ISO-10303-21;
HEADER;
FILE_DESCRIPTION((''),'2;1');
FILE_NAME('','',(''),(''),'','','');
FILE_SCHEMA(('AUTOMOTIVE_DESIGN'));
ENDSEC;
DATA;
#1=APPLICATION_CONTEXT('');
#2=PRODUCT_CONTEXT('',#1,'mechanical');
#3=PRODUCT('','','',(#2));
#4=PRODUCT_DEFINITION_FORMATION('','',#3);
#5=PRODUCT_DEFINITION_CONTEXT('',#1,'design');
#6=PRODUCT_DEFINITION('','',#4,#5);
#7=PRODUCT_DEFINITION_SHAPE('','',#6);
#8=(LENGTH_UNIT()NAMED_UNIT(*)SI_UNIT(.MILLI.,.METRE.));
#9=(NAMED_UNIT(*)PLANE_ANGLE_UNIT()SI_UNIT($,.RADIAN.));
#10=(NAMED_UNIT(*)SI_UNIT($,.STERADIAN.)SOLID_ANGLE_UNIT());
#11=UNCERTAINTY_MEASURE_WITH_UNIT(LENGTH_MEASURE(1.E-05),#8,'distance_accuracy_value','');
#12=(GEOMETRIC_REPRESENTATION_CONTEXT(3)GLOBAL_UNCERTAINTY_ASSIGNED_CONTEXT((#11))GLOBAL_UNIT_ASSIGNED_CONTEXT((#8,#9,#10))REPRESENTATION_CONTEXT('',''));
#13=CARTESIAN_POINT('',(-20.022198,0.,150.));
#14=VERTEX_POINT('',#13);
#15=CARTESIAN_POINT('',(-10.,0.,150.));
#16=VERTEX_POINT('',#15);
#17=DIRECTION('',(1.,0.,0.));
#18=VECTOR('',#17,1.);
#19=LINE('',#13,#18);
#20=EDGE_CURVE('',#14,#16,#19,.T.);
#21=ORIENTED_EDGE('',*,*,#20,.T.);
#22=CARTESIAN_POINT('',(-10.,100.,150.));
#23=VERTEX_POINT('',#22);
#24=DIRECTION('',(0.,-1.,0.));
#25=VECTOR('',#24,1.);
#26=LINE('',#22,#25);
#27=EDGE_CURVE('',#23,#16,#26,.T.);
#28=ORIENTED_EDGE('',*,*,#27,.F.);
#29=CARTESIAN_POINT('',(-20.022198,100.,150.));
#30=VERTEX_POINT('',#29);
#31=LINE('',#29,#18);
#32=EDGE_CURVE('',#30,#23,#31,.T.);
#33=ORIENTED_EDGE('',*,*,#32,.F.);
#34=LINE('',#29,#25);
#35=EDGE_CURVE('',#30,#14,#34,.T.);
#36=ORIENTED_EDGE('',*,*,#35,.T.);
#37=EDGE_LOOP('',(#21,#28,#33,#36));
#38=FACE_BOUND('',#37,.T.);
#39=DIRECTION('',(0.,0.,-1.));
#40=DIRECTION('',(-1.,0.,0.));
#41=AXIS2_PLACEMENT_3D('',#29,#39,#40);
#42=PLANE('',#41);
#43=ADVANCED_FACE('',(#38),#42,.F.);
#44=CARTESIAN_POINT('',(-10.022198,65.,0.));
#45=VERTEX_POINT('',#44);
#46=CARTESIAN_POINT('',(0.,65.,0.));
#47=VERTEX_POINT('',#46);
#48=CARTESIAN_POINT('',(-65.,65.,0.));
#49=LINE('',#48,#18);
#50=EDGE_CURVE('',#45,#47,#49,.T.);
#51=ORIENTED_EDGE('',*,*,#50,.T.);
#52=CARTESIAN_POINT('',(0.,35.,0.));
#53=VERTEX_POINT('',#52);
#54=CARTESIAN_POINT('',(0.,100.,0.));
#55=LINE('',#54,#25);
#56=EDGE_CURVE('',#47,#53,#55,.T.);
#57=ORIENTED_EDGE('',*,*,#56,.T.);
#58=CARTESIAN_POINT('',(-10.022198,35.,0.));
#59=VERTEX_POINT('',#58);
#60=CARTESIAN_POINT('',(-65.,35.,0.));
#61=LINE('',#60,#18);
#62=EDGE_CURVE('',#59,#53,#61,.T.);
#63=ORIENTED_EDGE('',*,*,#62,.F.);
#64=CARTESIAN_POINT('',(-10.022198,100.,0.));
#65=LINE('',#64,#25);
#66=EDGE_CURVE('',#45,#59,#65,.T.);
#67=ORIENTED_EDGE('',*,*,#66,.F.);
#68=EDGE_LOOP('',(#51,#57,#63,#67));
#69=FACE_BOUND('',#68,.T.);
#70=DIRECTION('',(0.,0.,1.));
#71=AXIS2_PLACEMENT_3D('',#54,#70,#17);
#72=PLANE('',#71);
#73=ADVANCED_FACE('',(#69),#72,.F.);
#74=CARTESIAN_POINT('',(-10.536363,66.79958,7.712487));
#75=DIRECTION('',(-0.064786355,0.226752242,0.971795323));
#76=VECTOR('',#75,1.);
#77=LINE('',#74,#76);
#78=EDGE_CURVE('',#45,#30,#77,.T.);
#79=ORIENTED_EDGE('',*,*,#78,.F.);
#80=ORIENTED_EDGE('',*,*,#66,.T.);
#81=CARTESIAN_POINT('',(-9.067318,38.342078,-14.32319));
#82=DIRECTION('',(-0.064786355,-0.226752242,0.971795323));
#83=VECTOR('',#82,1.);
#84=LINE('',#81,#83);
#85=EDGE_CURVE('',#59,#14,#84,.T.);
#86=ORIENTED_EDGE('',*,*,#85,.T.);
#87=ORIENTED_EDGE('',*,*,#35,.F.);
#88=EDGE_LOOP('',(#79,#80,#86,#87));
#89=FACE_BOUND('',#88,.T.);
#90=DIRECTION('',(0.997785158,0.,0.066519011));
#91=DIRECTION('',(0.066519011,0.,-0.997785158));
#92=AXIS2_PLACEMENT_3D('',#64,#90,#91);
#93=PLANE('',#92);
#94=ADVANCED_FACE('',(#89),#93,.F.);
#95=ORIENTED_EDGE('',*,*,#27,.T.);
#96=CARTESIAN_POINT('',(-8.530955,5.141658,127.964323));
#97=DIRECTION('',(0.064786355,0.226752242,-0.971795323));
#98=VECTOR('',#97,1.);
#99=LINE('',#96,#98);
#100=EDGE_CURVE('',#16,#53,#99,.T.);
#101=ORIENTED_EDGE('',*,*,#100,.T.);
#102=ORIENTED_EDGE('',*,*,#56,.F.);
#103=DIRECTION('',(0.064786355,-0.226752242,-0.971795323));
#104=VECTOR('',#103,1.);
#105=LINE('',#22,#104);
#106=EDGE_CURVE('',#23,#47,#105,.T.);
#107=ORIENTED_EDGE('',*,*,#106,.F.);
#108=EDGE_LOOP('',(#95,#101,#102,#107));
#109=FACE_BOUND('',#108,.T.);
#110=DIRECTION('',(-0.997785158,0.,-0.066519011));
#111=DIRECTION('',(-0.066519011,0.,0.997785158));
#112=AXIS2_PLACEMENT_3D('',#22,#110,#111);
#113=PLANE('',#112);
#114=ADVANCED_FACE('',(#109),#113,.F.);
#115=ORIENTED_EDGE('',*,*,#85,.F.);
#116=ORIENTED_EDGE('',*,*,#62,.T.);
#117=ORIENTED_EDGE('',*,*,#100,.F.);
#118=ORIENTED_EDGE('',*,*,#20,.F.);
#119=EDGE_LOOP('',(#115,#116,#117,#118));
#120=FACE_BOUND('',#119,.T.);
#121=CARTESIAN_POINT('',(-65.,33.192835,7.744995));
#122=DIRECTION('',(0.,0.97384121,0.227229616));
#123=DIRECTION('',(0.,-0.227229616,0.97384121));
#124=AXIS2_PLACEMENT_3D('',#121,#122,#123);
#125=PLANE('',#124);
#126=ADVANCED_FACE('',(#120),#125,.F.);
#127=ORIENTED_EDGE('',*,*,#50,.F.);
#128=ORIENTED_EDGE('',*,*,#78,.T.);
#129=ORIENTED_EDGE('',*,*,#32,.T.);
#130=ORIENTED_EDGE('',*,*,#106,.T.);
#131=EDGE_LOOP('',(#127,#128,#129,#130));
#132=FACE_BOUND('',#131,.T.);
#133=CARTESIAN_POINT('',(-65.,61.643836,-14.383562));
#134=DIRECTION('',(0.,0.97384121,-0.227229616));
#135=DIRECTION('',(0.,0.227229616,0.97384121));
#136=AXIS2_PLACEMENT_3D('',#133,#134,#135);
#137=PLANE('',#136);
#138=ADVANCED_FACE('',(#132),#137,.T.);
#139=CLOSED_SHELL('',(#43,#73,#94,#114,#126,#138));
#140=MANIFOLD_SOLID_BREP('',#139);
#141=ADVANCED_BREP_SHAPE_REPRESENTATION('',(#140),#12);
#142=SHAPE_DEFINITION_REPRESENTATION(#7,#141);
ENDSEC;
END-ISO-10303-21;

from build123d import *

# Parameters (mm, degrees)
BOSS_EXTRUDE1_DEPTH = 100
CUT_EXTRUDE2_DEPTH  = 65


with BuildPart() as part:
    # Sketch1 → Boss-Extrude1 (new body)
    with BuildSketch(Plane(origin=(0, 0, 0), x_dir=(1, 0, 0), z_dir=(0, 1, 0))):
        Polygon((-10, -150), (0, 0), (-10.022197586, 0), (-20.022197586, -150), align=None)
    extrude(amount=BOSS_EXTRUDE1_DEPTH)

    # Sketch3 → Cut-Extrude2 (cut)
    with BuildSketch(Plane(origin=(0, 0, 0), x_dir=(0, 0, -1), z_dir=(1, 0, 0))):
        Polygon((0, 65), (-150, 100), (0, 100), align=None)
        Polygon((0, 35), (-150, 0), (0, 0), align=None)
    extrude(amount=-CUT_EXTRUDE2_DEPTH, mode=Mode.SUBTRACT)


solid = part.part
